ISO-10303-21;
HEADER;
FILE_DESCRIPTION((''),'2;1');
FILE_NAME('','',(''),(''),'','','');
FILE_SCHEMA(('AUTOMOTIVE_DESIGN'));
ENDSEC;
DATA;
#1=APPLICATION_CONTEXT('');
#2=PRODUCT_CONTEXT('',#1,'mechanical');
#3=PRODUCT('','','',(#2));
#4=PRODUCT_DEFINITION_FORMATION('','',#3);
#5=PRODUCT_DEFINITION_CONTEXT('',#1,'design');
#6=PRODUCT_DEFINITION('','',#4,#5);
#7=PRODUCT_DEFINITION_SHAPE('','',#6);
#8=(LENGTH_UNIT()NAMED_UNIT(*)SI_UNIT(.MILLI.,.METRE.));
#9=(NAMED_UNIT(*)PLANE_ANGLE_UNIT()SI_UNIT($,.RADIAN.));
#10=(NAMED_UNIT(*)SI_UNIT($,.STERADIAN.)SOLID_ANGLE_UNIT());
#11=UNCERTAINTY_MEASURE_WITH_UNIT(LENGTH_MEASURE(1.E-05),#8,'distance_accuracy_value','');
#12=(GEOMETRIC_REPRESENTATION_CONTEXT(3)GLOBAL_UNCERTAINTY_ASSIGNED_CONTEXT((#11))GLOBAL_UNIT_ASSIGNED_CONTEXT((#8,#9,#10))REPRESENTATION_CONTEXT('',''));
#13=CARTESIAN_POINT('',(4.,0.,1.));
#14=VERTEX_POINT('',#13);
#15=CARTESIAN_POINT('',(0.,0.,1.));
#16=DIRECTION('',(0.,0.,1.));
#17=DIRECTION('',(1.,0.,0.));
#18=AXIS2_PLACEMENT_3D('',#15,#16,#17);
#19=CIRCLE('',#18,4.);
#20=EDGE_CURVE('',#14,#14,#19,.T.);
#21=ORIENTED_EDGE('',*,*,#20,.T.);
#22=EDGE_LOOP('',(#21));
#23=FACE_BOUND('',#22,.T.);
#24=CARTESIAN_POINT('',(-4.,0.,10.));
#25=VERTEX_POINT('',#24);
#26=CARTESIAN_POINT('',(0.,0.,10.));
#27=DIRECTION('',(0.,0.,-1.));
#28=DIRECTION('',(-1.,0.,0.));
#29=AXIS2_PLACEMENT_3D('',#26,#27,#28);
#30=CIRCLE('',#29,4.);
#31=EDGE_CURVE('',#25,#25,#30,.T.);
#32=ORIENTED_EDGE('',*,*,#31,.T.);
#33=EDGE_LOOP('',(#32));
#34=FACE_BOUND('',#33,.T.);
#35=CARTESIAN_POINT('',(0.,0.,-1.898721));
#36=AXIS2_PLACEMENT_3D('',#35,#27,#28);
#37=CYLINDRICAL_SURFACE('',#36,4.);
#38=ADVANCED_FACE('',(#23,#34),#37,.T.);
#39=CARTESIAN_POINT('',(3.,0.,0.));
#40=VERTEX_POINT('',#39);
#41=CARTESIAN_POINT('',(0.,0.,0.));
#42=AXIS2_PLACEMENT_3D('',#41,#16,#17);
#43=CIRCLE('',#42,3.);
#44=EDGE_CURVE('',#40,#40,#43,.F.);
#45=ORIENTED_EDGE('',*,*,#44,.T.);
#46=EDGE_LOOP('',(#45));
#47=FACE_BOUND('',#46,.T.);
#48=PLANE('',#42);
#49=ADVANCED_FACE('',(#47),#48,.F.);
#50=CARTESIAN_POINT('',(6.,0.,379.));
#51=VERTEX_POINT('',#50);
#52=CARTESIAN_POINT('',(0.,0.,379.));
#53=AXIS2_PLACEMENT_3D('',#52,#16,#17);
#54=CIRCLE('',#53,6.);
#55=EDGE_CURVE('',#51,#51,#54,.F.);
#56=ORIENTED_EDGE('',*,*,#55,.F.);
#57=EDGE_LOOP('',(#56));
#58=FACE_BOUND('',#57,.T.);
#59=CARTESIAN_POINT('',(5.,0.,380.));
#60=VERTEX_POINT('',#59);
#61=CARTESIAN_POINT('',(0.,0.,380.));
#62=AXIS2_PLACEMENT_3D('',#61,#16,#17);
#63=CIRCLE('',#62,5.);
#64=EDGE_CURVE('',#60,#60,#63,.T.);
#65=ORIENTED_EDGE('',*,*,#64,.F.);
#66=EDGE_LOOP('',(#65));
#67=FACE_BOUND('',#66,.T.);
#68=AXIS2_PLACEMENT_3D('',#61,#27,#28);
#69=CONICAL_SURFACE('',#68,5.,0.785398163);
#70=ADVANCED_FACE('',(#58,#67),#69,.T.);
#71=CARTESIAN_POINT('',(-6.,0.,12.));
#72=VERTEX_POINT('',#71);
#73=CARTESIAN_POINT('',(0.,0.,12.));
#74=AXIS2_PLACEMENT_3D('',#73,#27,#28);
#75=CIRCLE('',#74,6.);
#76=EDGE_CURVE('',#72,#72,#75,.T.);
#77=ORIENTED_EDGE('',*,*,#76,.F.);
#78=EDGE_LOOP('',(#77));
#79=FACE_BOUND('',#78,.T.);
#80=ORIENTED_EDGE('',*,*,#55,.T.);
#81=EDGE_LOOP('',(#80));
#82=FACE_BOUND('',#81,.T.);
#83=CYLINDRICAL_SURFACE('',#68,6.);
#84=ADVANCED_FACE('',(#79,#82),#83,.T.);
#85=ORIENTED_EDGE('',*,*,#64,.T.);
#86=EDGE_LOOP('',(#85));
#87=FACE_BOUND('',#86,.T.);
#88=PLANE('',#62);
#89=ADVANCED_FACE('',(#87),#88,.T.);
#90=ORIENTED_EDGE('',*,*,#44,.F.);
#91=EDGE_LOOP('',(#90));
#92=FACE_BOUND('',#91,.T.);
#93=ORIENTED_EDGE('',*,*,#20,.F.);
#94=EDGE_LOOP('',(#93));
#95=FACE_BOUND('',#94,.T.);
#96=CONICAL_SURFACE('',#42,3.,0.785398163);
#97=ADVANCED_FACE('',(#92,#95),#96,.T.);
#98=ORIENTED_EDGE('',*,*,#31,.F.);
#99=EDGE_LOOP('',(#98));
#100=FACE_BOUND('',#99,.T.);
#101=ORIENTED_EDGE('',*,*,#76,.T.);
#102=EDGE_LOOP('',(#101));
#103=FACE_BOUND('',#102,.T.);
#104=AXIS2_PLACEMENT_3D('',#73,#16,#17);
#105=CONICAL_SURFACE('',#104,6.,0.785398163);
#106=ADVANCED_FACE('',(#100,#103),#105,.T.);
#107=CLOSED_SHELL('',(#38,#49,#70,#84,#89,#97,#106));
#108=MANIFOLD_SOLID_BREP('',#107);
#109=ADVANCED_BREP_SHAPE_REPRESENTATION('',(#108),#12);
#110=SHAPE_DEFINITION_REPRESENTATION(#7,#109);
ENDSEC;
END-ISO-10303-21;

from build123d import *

# Parameters (mm, degrees)
SCHIZZO1_R                   = 6
ESTRUSIONE_ESTRUSIONE1_DEPTH = 380
SMUSSO1_SIZE                 = 1


with BuildPart() as part:
    # Schizzo1 → Estrusione-Estrusione1 (new body)
    with BuildSketch(Plane.XY):
        Circle(SCHIZZO1_R)
    extrude(amount=ESTRUSIONE_ESTRUSIONE1_DEPTH)

    # Schizzo2 → Taglia-Rivoluzione1 (revolve, cut)
    with BuildSketch(Plane(origin=(0, 0, 0), x_dir=(1, 0, 0), z_dir=(0, 1, 0))):
        Polygon((-4, -10), (-6, -12), (-6, 0), (-4, 0), align=None)
    revolve(axis=Axis((0, 0, -1.898721367), (0, 0, 1)), mode=Mode.SUBTRACT)

    # Smusso1
    smusso1_edges = [part.edges().sort_by_distance(p)[0] for p in [
        (-6, 0, 380),
        (4, 0, 0),
    ]]
    chamfer(smusso1_edges, length=SMUSSO1_SIZE)


solid = part.part
